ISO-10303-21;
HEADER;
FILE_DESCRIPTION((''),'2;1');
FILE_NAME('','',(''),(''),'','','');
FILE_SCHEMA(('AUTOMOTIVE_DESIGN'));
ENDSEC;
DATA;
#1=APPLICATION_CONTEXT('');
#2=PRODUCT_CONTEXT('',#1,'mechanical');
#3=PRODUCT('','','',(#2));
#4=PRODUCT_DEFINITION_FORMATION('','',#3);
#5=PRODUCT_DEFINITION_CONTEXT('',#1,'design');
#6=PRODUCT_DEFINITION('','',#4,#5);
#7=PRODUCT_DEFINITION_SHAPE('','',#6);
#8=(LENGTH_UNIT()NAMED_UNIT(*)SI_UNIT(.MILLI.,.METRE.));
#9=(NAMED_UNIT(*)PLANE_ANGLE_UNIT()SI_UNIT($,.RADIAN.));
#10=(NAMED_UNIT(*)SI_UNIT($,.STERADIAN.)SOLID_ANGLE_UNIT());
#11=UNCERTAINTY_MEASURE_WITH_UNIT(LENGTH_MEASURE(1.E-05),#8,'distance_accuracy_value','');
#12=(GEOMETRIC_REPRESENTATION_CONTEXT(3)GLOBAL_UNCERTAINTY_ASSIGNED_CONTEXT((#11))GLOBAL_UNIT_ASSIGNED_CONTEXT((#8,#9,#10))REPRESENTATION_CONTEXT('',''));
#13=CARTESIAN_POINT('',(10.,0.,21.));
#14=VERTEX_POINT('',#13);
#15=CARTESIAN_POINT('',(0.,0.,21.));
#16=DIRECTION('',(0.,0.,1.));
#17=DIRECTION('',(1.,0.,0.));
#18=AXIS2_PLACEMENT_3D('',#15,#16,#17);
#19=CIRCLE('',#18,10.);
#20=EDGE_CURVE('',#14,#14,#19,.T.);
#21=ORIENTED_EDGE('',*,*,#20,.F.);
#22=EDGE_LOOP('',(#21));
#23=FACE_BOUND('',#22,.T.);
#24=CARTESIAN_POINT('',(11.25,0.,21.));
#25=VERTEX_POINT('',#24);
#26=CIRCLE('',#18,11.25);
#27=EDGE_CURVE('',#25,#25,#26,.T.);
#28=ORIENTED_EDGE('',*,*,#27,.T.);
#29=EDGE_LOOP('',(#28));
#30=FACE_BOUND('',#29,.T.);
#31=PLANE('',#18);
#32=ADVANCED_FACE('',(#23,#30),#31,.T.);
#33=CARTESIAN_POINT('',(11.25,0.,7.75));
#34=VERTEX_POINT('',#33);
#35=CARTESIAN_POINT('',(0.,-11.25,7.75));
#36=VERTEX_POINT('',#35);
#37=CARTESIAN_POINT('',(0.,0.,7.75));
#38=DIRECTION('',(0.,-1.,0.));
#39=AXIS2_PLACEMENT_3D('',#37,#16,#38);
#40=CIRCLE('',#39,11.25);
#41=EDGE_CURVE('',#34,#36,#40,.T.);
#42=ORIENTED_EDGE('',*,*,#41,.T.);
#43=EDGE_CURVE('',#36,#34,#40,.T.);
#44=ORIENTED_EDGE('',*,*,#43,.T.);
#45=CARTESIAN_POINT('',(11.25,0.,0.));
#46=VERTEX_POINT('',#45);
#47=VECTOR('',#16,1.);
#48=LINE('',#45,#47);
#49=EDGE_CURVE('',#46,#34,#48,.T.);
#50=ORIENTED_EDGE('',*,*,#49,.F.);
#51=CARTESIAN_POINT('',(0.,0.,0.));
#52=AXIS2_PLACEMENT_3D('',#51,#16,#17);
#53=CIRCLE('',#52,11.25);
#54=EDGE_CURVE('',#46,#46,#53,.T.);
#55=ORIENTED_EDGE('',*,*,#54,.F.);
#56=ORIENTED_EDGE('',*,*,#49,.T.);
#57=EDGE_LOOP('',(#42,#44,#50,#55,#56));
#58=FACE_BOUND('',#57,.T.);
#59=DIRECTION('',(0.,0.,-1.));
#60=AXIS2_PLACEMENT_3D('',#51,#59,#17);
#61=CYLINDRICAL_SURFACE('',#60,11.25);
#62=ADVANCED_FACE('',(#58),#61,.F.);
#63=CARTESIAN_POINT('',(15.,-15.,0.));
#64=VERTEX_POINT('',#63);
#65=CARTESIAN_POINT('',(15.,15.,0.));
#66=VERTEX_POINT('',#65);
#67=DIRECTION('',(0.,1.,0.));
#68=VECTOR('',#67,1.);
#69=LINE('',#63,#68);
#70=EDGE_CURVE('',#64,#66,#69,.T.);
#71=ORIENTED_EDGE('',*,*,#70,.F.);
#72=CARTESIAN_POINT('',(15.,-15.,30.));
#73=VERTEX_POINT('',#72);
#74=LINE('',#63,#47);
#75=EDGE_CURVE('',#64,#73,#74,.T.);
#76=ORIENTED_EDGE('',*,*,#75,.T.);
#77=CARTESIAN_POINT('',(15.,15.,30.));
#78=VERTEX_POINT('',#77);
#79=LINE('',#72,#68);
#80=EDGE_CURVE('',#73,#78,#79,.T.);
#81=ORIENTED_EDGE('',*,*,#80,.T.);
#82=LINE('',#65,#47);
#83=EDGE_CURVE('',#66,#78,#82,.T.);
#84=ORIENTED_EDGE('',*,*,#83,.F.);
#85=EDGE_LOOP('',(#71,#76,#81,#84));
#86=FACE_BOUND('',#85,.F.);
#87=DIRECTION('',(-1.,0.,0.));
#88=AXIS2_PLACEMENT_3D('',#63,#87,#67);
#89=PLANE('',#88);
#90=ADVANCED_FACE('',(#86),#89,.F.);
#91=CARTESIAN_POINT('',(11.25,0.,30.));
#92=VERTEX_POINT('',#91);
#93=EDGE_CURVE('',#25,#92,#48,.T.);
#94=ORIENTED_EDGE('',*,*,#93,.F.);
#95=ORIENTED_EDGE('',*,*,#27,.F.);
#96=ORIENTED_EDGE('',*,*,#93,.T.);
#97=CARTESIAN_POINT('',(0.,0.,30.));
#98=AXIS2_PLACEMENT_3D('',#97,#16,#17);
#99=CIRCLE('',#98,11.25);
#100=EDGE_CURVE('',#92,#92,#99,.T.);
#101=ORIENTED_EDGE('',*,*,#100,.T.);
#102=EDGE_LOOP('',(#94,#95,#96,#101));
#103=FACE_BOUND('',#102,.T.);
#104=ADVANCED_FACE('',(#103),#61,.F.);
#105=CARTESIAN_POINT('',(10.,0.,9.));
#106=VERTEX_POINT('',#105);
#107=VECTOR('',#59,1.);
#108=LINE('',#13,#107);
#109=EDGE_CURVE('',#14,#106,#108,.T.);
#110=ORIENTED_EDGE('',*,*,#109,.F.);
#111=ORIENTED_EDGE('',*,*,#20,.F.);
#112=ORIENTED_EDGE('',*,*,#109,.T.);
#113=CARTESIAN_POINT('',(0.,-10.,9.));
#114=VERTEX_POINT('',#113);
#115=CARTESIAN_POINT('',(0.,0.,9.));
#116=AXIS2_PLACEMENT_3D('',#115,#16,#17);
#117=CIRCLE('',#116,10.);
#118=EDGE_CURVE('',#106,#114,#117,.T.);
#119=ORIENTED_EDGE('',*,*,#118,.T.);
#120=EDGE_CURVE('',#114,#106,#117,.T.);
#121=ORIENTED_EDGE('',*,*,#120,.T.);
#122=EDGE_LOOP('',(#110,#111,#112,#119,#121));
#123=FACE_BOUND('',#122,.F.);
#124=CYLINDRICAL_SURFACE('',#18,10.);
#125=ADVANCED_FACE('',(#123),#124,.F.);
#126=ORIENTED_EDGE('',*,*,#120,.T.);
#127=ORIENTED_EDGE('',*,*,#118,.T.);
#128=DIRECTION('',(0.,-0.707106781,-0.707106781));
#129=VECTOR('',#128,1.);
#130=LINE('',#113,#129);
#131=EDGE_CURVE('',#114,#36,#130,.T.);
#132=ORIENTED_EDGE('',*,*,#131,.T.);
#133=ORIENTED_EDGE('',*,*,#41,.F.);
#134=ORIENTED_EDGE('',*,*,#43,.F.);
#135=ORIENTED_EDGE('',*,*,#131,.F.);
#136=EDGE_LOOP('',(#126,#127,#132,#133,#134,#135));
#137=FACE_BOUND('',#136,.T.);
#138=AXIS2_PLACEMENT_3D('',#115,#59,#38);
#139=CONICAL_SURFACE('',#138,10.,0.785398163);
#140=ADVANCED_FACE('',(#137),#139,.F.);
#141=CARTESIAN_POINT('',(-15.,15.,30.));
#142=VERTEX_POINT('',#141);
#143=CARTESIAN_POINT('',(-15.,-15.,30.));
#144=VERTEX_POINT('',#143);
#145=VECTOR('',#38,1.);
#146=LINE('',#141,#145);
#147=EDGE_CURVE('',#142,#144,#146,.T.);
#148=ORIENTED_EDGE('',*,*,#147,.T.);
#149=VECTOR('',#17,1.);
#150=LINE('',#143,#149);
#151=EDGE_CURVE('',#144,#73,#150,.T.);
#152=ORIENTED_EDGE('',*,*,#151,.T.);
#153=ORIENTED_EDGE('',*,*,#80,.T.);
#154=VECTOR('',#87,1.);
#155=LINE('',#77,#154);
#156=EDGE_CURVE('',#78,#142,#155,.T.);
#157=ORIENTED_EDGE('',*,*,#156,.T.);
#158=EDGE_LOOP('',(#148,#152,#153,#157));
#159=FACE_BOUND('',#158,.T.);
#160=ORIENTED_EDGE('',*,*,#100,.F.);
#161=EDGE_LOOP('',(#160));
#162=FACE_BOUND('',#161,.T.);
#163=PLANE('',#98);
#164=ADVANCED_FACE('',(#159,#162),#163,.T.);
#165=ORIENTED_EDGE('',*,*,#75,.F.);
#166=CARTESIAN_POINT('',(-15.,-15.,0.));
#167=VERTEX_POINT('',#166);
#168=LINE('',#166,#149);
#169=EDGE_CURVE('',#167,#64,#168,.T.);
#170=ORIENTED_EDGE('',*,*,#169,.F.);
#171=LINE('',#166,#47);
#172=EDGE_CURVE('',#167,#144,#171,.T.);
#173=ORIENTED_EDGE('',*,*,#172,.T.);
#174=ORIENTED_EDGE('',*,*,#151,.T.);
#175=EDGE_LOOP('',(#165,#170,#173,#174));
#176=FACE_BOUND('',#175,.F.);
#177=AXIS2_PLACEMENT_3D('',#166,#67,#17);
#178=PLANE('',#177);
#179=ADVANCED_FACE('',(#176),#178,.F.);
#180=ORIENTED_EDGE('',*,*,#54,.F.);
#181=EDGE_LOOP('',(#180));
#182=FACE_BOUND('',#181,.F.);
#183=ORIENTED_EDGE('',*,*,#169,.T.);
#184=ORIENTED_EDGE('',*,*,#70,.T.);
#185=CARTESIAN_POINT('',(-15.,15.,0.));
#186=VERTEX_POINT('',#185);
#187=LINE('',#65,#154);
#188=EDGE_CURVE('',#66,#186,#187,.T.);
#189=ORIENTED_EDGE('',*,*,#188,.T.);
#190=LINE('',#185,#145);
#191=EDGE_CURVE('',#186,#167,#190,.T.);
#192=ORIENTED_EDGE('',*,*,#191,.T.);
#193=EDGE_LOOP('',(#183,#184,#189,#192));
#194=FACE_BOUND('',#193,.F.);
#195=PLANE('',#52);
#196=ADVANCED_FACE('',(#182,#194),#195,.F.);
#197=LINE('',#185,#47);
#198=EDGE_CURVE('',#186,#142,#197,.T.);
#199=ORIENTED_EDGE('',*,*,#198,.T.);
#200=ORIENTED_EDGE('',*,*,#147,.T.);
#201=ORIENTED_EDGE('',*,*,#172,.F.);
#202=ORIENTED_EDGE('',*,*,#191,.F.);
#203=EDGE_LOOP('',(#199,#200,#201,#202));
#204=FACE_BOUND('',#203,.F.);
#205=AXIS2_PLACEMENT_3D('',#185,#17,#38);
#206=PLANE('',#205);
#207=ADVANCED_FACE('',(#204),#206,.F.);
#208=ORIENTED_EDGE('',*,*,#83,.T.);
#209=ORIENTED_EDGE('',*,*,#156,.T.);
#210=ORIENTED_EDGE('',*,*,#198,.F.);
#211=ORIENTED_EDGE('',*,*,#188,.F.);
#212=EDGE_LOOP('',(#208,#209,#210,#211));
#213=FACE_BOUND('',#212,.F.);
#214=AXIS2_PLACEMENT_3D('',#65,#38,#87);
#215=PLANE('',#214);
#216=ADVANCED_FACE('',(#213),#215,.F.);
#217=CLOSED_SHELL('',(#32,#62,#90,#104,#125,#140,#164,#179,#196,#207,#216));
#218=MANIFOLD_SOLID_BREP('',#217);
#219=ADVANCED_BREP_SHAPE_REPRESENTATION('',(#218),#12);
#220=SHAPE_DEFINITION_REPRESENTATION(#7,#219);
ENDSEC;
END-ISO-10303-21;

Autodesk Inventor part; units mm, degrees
ref_plane "YZ Plane" through (0, 0, 0) normal (1, 0, 0) x (0, 1, 0)
sketch "Sketch1" plane through (0, 0, 0) normal (0, 0, 1) x (1, 0, 0)
  circle A0 centre (0, 0) radius 11.25
  line L0 (-15, -15) -> (15, -15)
  line L1 (15, -15) -> (15, 15)
  line L2 (15, 15) -> (-15, 15)
  line L3 (-15, 15) -> (-15, -15)
  point P0 (-15, 0)
  point P1 (0, 15)
  dimension "d0" = 22.5
  dimension "d1" = 30
extrude "Extrusion1" add sketch "Sketch1" along normal blind 30
ref_plane "Work Plane1" through (0, 0, 21) normal (0, 0, 1) x (1, 0, 0)
ref_plane "Work Plane2" through (0, 0, 9) normal (0, 0, -1) x (-1, 0, 0)
sketch "Sketch2" plane through (0, 0, 21) normal (0, 0, 1) x (1, 0, 0)
  circle A0 centre (0, 0) radius 10
  circle A1 centre (0, 0) radius 11.25 projected
  dimension "d6" = 20
extrude "Extrusion2" add sketch "Sketch2" against normal up to surface (12 mm away)
sketch "Sketch3" plane through (0, 0, 0) normal (1, 0, 0) x (0, 1, 0)
  line L0 (15, 30) -> (15, 0) projected
  line L1 (15, 0) -> (11.25, 0) projected
  line L2 (11.25, 0) -> (11.25, 9) projected
  line L3 (11.25, 9) -> (10, 9) projected
  line L4 (10, 9) -> (10, 21) projected
  line L5 (10, 21) -> (11.25, 21) projected
  line L6 (11.25, 21) -> (11.25, 30) projected
  line L7 (11.25, 30) -> (15, 30) projected
  line L8 (-15, 0) -> (-15, 30) projected
  line L9 (-15, 30) -> (-11.25, 30) projected
  line L10 (-11.25, 30) -> (-11.25, 21) projected
  line L11 (-11.25, 21) -> (-10, 21) projected
  line L12 (-10, 21) -> (-10, 9) projected
  line L13 (-10, 9) -> (-11.25, 9) projected
  line L14 (-11.25, 9) -> (-11.25, 0) projected
  line L15 (-11.25, 0) -> (-15, 0) projected
  line L16 (-10, 9) -> (-11.25, 7.75)
  line L17 (0, -4) -> (0, 24) projected
  point P0 (0, 0)
  dimension "d9" = 45
revolve "Revolution1" add sketch "Sketch3" angle 360 about axis through (0, 0, -10) along (0, 0, 1) contours L14 L13 L16
equation "\"d0\" = od + hole_oversize"
equation "\"d6\" = damax"
equation "\"id\" = 8"
equation "\"od\" = 22"
equation "\"hole_oversize\" = 0.5"
equation "\"post_oversize\" = 0"
equation "\"bearing_width\" = 9"
equation "\"d4\" = -bearing_width"
equation "\"d5\" = -bearing_width"
equation "\"damax\" = 20"
properties part number "pinch_wheel_hobbing_jig"
